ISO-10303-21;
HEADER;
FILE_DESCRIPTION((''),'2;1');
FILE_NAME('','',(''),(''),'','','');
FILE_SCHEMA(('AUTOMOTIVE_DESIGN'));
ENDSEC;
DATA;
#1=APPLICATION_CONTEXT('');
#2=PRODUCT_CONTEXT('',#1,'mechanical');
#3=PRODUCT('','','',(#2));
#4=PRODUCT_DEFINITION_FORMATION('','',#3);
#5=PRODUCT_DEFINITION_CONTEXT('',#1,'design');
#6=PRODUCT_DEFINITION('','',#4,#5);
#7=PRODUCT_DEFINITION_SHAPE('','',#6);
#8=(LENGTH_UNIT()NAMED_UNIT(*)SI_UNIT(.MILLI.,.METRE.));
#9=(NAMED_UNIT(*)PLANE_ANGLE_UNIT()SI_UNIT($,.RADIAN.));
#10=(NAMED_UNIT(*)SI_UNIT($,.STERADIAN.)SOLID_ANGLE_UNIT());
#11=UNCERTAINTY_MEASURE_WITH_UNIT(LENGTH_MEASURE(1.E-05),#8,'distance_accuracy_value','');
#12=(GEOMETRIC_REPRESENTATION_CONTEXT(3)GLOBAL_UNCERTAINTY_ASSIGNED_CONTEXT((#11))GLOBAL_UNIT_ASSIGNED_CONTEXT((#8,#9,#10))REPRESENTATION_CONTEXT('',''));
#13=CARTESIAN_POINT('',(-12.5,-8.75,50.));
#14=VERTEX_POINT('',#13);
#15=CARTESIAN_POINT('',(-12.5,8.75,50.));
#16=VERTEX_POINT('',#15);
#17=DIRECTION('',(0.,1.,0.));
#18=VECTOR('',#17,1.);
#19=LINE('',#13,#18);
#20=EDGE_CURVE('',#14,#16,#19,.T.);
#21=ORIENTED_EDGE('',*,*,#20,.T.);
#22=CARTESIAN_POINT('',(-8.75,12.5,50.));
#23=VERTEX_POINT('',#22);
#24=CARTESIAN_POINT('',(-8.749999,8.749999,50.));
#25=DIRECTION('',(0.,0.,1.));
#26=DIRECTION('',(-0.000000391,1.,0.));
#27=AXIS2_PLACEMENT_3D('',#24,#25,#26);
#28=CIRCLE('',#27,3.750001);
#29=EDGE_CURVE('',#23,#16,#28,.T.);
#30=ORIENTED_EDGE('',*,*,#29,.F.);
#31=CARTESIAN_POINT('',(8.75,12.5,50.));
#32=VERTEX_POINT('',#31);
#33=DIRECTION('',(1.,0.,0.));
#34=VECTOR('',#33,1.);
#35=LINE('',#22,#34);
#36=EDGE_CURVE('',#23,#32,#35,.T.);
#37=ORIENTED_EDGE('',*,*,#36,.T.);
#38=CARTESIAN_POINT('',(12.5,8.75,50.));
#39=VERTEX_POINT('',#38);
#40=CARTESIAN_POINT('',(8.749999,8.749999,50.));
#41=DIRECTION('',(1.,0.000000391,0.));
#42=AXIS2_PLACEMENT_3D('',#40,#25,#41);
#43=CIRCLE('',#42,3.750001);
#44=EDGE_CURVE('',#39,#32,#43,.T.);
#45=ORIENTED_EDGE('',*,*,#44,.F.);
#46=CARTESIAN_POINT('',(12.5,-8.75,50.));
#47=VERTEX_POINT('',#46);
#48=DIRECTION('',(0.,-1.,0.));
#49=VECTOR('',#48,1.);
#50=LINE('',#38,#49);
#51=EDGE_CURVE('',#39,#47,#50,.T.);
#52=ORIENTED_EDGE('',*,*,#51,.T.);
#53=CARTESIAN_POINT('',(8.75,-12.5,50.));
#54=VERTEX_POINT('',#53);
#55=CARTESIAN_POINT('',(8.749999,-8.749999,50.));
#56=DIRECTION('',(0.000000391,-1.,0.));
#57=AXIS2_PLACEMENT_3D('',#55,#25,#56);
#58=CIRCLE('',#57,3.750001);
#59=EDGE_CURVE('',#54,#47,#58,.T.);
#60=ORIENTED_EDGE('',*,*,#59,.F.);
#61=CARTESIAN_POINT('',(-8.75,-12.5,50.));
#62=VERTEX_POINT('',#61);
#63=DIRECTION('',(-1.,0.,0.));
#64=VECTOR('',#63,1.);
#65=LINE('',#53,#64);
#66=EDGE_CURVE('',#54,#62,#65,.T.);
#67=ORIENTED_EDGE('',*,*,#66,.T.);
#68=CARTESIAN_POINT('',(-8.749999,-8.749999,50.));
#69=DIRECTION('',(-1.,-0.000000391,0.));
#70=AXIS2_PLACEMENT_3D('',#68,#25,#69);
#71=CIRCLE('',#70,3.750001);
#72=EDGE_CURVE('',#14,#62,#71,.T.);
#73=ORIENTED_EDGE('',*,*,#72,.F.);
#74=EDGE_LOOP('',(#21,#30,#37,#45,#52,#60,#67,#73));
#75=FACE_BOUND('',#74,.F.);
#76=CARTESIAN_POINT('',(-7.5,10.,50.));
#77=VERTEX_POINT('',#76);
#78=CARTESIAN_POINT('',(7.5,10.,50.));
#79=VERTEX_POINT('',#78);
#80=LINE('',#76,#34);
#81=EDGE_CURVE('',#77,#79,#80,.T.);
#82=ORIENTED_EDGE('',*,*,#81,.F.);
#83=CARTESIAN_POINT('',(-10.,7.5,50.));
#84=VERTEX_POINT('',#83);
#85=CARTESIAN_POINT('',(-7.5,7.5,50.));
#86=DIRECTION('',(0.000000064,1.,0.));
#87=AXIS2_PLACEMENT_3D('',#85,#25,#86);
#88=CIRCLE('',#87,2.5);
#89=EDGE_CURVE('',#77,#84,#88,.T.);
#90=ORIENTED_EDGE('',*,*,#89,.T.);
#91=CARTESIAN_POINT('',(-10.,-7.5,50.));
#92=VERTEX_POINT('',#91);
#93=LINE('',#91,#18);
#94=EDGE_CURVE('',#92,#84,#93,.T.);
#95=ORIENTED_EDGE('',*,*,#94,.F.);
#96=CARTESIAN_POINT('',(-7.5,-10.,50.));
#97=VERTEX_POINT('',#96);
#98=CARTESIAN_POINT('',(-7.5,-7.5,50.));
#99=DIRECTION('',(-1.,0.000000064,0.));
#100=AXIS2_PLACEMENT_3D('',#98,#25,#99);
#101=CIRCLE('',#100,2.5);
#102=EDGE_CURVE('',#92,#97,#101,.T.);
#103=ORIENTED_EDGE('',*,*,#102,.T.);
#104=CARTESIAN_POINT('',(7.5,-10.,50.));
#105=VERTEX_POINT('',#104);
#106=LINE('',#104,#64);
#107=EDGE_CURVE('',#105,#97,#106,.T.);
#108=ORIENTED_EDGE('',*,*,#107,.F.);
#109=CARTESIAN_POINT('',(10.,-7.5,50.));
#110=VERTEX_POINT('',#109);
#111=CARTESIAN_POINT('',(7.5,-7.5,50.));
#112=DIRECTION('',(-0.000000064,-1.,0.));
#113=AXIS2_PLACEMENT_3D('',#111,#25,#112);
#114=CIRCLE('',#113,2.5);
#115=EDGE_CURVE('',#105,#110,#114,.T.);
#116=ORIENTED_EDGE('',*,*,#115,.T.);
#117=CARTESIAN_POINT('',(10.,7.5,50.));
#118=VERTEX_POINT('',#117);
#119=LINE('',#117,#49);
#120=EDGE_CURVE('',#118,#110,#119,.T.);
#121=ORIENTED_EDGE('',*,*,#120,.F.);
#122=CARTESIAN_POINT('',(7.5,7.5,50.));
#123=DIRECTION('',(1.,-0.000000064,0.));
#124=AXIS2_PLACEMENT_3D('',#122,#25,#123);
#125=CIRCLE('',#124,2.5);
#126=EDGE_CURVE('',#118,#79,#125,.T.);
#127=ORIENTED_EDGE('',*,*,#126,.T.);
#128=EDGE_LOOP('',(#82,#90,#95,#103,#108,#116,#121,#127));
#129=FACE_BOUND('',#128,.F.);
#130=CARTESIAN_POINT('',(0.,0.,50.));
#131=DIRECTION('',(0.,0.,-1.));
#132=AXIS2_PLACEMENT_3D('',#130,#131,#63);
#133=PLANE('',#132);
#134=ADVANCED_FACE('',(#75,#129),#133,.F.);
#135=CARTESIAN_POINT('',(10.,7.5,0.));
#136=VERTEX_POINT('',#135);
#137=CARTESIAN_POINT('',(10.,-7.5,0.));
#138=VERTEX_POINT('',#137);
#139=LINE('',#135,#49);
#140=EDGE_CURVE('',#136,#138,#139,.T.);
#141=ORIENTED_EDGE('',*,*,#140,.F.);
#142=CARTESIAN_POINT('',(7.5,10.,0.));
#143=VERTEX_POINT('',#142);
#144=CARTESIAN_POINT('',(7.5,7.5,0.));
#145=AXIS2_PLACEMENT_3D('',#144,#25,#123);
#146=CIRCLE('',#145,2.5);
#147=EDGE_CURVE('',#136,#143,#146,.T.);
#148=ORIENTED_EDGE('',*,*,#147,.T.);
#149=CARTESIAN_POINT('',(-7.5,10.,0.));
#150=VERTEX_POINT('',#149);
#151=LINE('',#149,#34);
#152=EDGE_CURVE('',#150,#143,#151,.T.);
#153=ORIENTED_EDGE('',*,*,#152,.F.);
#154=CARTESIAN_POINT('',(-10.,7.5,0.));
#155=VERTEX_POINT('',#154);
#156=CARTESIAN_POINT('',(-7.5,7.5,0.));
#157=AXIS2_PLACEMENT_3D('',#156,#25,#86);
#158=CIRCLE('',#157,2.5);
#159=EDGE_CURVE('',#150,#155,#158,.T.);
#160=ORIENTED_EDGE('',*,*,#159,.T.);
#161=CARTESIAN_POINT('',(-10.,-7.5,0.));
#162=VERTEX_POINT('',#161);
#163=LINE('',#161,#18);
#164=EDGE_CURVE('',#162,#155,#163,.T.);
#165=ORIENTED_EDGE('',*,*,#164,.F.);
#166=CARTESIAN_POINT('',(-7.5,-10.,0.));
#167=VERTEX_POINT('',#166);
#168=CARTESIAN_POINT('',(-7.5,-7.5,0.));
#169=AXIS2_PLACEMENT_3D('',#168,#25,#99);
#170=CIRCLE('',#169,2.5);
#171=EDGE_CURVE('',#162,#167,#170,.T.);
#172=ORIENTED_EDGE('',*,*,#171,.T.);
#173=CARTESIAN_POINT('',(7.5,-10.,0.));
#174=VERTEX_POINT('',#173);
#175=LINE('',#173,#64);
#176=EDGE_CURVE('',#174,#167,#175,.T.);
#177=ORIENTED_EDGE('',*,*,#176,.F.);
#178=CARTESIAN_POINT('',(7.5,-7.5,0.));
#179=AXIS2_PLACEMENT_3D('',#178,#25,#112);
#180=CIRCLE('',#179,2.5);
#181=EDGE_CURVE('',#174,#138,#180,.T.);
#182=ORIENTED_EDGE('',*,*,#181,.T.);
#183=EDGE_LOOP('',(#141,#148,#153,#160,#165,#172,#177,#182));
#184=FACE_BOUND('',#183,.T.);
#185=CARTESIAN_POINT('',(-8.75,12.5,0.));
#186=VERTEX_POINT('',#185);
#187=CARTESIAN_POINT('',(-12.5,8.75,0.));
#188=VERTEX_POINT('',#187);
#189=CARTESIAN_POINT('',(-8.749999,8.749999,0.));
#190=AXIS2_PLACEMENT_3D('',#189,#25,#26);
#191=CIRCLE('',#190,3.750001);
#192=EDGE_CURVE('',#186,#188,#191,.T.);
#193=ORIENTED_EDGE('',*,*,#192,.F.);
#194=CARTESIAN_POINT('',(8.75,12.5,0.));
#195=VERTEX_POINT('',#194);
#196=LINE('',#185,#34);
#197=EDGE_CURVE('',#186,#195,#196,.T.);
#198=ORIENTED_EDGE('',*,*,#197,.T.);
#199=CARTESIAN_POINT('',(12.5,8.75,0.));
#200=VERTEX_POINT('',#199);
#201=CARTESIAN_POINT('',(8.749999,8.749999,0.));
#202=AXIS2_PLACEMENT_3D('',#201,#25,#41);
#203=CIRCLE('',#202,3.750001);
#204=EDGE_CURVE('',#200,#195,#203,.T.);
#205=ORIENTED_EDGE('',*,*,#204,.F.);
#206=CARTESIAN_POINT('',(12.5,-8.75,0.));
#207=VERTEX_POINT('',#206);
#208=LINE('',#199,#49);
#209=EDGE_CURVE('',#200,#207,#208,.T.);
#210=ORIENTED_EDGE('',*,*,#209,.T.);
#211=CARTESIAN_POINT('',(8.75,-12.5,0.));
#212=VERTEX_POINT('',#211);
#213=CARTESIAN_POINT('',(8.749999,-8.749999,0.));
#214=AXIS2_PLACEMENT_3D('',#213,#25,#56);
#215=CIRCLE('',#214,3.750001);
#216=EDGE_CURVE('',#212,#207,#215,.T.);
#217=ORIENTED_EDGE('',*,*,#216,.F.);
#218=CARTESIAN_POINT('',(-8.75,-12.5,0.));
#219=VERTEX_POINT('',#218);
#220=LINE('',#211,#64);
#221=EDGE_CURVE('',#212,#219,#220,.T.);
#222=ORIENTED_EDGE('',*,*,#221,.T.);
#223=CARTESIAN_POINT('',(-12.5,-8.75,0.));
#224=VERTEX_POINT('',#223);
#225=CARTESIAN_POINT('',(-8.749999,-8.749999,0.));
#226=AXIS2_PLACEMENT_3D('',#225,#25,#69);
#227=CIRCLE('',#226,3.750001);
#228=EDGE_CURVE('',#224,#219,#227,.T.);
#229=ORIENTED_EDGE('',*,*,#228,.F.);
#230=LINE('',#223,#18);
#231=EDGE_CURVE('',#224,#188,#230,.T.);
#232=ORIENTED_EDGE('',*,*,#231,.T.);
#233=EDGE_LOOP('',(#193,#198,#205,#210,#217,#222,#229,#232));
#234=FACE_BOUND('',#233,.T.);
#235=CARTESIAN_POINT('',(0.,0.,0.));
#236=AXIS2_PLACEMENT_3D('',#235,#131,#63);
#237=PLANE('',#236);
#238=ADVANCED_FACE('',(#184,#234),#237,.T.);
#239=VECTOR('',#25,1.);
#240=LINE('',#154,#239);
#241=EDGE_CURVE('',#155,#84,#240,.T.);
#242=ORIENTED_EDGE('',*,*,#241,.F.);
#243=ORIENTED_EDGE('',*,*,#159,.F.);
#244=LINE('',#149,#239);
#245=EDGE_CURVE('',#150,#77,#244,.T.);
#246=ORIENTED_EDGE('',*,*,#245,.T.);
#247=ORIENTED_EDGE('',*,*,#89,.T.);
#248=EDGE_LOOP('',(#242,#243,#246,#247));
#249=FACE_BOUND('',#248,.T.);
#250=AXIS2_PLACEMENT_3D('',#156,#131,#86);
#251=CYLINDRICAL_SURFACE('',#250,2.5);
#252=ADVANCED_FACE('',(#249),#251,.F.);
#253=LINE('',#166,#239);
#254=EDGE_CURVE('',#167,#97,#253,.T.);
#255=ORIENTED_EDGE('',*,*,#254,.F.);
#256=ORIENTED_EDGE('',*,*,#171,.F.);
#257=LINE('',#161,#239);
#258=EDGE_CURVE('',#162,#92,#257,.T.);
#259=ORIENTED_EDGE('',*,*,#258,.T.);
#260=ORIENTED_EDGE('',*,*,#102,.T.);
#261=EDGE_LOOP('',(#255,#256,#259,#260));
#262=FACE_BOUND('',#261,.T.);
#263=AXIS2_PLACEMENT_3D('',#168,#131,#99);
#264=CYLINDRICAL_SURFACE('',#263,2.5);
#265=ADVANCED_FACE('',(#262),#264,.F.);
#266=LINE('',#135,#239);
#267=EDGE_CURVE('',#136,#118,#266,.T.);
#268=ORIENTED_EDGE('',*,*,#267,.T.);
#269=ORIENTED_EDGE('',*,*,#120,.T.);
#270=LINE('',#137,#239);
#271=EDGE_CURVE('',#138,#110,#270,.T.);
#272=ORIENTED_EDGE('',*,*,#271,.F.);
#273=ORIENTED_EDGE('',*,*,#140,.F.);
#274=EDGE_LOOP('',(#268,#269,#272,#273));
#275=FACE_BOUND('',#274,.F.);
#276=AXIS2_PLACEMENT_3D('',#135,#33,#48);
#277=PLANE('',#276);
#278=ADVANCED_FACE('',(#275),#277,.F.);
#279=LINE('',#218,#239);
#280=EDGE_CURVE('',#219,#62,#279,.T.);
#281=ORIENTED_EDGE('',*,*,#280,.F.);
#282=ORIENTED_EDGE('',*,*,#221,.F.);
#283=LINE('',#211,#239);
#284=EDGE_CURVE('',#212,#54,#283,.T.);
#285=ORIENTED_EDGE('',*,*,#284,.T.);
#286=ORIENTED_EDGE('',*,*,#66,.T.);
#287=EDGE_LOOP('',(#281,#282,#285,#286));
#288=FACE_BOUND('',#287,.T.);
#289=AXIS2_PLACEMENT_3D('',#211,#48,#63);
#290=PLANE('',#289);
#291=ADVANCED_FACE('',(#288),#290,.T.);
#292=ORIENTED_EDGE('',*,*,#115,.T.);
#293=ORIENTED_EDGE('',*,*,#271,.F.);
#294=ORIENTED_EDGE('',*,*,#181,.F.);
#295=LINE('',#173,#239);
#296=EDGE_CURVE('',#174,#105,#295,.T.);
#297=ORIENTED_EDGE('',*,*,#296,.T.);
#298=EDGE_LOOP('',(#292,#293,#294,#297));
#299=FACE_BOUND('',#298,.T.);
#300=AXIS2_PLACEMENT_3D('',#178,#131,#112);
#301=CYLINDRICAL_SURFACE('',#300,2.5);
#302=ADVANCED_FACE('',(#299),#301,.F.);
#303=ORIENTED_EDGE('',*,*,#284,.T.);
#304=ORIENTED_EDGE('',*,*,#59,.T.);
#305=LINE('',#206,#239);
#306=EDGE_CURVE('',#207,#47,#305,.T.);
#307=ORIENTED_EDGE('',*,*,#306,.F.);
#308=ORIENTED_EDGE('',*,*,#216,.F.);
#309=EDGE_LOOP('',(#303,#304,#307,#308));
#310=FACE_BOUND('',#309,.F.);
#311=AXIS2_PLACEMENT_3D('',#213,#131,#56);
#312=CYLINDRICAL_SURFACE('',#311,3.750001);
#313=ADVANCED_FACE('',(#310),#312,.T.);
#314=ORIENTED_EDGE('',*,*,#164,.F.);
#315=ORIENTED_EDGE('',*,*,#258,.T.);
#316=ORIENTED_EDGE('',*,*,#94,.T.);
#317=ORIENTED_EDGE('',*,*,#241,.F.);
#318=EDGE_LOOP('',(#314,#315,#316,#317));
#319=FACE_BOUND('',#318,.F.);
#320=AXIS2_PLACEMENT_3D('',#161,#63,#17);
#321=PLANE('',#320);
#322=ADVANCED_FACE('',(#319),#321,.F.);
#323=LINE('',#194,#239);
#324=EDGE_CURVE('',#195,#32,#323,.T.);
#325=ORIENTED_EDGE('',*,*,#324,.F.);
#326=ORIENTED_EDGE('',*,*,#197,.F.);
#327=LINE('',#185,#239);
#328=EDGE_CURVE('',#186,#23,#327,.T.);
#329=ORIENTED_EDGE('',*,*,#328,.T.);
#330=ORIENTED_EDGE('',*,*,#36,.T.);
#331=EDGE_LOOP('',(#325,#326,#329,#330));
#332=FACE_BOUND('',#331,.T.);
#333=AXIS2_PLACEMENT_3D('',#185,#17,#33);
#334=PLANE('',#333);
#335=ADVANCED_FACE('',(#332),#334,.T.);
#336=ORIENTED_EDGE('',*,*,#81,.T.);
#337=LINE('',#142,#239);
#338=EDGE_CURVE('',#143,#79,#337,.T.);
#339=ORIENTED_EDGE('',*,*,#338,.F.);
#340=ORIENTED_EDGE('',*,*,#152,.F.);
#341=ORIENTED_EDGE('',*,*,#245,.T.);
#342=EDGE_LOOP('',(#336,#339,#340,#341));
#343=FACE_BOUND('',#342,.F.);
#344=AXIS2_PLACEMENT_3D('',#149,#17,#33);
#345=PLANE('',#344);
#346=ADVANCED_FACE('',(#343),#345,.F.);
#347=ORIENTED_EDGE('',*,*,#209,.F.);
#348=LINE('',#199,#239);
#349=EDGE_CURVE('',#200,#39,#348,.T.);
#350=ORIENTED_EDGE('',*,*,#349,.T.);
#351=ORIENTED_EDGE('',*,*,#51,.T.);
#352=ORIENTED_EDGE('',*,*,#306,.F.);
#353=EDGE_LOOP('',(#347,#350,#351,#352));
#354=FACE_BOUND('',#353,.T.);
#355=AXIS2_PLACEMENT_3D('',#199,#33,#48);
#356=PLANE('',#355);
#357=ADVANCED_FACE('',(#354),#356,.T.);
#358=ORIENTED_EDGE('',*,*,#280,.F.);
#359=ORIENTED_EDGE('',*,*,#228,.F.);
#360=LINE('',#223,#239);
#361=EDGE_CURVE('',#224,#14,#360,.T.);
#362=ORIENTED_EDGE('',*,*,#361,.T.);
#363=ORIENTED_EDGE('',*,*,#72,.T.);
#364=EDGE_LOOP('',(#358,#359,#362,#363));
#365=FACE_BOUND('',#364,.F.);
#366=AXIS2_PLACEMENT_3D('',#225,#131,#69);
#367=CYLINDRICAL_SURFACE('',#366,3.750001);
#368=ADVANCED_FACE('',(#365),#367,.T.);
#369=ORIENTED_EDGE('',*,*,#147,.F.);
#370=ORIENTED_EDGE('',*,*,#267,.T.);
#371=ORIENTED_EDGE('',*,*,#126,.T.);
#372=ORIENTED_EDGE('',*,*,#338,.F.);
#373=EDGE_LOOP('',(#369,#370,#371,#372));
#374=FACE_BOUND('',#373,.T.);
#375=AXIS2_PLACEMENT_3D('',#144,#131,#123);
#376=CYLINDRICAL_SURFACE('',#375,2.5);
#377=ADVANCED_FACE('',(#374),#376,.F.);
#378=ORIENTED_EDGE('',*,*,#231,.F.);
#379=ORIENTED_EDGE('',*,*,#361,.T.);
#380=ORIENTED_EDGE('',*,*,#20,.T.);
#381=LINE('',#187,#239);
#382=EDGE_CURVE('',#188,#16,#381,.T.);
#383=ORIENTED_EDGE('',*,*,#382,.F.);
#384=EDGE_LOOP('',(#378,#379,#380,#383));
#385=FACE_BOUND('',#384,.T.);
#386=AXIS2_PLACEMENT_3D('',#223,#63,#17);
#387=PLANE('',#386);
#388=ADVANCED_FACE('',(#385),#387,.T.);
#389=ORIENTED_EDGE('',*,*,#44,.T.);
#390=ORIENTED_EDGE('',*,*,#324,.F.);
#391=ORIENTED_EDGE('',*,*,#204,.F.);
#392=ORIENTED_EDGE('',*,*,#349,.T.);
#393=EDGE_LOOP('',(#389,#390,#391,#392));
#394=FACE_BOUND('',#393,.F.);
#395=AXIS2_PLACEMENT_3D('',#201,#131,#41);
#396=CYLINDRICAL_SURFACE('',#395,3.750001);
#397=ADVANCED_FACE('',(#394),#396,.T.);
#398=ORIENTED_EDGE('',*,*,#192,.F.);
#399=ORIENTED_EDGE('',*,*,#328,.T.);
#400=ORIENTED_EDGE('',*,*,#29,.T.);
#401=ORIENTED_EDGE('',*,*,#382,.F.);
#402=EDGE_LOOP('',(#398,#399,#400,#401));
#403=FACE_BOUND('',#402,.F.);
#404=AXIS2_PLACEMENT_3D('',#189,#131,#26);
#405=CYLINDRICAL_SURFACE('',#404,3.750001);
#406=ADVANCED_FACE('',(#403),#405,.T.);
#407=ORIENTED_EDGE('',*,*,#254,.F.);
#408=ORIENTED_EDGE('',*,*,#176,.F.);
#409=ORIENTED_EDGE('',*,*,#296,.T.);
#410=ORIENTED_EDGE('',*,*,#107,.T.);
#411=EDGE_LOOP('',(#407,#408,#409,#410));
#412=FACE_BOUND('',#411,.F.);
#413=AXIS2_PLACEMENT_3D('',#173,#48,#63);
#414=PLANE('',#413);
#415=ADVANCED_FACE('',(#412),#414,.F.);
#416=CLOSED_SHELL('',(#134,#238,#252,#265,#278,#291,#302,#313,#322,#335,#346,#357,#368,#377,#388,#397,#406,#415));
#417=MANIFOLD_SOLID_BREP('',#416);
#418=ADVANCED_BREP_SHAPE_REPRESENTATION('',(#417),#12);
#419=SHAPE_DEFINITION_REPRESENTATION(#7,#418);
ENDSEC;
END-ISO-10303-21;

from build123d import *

# Parameters (mm, degrees)
EXTRUDE_DEPTH = 50


with BuildPart() as part:
    # Sketch → Extrude (new body)
    with BuildSketch(Plane.XY):
        with BuildLine():
            Line((-8.75, 12.5), (8.75, 12.5))
            ThreePointArc((12.5, 8.75), (11.40165, 11.40165), (8.75, 12.5))
            Line((12.5, 8.75), (12.5, -8.75))
            ThreePointArc((8.75, -12.5), (11.40165, -11.40165), (12.5, -8.75))
            Line((8.75, -12.5), (-8.75, -12.5))
            ThreePointArc((-12.5, -8.75), (-11.40165, -11.40165), (-8.75, -12.5))
            Line((-12.5, -8.75), (-12.5, 8.75))
            ThreePointArc((-8.75, 12.5), (-11.40165, 11.40165), (-12.5, 8.75))
        make_face()
        with BuildLine():
            Line((-7.5, 10), (7.5, 10))
            ThreePointArc((10, 7.5), (9.267767, 9.267767), (7.5, 10))
            Line((10, 7.5), (10, -7.5))
            ThreePointArc((7.5, -10), (9.267767, -9.267767), (10, -7.5))
            Line((7.5, -10), (-7.5, -10))
            ThreePointArc((-10, -7.5), (-9.267767, -9.267767), (-7.5, -10))
            Line((-10, -7.5), (-10, 7.5))
            ThreePointArc((-7.5, 10), (-9.267767, 9.267767), (-10, 7.5))
        make_face(mode=Mode.SUBTRACT)
    extrude(amount=EXTRUDE_DEPTH)


solid = part.part
